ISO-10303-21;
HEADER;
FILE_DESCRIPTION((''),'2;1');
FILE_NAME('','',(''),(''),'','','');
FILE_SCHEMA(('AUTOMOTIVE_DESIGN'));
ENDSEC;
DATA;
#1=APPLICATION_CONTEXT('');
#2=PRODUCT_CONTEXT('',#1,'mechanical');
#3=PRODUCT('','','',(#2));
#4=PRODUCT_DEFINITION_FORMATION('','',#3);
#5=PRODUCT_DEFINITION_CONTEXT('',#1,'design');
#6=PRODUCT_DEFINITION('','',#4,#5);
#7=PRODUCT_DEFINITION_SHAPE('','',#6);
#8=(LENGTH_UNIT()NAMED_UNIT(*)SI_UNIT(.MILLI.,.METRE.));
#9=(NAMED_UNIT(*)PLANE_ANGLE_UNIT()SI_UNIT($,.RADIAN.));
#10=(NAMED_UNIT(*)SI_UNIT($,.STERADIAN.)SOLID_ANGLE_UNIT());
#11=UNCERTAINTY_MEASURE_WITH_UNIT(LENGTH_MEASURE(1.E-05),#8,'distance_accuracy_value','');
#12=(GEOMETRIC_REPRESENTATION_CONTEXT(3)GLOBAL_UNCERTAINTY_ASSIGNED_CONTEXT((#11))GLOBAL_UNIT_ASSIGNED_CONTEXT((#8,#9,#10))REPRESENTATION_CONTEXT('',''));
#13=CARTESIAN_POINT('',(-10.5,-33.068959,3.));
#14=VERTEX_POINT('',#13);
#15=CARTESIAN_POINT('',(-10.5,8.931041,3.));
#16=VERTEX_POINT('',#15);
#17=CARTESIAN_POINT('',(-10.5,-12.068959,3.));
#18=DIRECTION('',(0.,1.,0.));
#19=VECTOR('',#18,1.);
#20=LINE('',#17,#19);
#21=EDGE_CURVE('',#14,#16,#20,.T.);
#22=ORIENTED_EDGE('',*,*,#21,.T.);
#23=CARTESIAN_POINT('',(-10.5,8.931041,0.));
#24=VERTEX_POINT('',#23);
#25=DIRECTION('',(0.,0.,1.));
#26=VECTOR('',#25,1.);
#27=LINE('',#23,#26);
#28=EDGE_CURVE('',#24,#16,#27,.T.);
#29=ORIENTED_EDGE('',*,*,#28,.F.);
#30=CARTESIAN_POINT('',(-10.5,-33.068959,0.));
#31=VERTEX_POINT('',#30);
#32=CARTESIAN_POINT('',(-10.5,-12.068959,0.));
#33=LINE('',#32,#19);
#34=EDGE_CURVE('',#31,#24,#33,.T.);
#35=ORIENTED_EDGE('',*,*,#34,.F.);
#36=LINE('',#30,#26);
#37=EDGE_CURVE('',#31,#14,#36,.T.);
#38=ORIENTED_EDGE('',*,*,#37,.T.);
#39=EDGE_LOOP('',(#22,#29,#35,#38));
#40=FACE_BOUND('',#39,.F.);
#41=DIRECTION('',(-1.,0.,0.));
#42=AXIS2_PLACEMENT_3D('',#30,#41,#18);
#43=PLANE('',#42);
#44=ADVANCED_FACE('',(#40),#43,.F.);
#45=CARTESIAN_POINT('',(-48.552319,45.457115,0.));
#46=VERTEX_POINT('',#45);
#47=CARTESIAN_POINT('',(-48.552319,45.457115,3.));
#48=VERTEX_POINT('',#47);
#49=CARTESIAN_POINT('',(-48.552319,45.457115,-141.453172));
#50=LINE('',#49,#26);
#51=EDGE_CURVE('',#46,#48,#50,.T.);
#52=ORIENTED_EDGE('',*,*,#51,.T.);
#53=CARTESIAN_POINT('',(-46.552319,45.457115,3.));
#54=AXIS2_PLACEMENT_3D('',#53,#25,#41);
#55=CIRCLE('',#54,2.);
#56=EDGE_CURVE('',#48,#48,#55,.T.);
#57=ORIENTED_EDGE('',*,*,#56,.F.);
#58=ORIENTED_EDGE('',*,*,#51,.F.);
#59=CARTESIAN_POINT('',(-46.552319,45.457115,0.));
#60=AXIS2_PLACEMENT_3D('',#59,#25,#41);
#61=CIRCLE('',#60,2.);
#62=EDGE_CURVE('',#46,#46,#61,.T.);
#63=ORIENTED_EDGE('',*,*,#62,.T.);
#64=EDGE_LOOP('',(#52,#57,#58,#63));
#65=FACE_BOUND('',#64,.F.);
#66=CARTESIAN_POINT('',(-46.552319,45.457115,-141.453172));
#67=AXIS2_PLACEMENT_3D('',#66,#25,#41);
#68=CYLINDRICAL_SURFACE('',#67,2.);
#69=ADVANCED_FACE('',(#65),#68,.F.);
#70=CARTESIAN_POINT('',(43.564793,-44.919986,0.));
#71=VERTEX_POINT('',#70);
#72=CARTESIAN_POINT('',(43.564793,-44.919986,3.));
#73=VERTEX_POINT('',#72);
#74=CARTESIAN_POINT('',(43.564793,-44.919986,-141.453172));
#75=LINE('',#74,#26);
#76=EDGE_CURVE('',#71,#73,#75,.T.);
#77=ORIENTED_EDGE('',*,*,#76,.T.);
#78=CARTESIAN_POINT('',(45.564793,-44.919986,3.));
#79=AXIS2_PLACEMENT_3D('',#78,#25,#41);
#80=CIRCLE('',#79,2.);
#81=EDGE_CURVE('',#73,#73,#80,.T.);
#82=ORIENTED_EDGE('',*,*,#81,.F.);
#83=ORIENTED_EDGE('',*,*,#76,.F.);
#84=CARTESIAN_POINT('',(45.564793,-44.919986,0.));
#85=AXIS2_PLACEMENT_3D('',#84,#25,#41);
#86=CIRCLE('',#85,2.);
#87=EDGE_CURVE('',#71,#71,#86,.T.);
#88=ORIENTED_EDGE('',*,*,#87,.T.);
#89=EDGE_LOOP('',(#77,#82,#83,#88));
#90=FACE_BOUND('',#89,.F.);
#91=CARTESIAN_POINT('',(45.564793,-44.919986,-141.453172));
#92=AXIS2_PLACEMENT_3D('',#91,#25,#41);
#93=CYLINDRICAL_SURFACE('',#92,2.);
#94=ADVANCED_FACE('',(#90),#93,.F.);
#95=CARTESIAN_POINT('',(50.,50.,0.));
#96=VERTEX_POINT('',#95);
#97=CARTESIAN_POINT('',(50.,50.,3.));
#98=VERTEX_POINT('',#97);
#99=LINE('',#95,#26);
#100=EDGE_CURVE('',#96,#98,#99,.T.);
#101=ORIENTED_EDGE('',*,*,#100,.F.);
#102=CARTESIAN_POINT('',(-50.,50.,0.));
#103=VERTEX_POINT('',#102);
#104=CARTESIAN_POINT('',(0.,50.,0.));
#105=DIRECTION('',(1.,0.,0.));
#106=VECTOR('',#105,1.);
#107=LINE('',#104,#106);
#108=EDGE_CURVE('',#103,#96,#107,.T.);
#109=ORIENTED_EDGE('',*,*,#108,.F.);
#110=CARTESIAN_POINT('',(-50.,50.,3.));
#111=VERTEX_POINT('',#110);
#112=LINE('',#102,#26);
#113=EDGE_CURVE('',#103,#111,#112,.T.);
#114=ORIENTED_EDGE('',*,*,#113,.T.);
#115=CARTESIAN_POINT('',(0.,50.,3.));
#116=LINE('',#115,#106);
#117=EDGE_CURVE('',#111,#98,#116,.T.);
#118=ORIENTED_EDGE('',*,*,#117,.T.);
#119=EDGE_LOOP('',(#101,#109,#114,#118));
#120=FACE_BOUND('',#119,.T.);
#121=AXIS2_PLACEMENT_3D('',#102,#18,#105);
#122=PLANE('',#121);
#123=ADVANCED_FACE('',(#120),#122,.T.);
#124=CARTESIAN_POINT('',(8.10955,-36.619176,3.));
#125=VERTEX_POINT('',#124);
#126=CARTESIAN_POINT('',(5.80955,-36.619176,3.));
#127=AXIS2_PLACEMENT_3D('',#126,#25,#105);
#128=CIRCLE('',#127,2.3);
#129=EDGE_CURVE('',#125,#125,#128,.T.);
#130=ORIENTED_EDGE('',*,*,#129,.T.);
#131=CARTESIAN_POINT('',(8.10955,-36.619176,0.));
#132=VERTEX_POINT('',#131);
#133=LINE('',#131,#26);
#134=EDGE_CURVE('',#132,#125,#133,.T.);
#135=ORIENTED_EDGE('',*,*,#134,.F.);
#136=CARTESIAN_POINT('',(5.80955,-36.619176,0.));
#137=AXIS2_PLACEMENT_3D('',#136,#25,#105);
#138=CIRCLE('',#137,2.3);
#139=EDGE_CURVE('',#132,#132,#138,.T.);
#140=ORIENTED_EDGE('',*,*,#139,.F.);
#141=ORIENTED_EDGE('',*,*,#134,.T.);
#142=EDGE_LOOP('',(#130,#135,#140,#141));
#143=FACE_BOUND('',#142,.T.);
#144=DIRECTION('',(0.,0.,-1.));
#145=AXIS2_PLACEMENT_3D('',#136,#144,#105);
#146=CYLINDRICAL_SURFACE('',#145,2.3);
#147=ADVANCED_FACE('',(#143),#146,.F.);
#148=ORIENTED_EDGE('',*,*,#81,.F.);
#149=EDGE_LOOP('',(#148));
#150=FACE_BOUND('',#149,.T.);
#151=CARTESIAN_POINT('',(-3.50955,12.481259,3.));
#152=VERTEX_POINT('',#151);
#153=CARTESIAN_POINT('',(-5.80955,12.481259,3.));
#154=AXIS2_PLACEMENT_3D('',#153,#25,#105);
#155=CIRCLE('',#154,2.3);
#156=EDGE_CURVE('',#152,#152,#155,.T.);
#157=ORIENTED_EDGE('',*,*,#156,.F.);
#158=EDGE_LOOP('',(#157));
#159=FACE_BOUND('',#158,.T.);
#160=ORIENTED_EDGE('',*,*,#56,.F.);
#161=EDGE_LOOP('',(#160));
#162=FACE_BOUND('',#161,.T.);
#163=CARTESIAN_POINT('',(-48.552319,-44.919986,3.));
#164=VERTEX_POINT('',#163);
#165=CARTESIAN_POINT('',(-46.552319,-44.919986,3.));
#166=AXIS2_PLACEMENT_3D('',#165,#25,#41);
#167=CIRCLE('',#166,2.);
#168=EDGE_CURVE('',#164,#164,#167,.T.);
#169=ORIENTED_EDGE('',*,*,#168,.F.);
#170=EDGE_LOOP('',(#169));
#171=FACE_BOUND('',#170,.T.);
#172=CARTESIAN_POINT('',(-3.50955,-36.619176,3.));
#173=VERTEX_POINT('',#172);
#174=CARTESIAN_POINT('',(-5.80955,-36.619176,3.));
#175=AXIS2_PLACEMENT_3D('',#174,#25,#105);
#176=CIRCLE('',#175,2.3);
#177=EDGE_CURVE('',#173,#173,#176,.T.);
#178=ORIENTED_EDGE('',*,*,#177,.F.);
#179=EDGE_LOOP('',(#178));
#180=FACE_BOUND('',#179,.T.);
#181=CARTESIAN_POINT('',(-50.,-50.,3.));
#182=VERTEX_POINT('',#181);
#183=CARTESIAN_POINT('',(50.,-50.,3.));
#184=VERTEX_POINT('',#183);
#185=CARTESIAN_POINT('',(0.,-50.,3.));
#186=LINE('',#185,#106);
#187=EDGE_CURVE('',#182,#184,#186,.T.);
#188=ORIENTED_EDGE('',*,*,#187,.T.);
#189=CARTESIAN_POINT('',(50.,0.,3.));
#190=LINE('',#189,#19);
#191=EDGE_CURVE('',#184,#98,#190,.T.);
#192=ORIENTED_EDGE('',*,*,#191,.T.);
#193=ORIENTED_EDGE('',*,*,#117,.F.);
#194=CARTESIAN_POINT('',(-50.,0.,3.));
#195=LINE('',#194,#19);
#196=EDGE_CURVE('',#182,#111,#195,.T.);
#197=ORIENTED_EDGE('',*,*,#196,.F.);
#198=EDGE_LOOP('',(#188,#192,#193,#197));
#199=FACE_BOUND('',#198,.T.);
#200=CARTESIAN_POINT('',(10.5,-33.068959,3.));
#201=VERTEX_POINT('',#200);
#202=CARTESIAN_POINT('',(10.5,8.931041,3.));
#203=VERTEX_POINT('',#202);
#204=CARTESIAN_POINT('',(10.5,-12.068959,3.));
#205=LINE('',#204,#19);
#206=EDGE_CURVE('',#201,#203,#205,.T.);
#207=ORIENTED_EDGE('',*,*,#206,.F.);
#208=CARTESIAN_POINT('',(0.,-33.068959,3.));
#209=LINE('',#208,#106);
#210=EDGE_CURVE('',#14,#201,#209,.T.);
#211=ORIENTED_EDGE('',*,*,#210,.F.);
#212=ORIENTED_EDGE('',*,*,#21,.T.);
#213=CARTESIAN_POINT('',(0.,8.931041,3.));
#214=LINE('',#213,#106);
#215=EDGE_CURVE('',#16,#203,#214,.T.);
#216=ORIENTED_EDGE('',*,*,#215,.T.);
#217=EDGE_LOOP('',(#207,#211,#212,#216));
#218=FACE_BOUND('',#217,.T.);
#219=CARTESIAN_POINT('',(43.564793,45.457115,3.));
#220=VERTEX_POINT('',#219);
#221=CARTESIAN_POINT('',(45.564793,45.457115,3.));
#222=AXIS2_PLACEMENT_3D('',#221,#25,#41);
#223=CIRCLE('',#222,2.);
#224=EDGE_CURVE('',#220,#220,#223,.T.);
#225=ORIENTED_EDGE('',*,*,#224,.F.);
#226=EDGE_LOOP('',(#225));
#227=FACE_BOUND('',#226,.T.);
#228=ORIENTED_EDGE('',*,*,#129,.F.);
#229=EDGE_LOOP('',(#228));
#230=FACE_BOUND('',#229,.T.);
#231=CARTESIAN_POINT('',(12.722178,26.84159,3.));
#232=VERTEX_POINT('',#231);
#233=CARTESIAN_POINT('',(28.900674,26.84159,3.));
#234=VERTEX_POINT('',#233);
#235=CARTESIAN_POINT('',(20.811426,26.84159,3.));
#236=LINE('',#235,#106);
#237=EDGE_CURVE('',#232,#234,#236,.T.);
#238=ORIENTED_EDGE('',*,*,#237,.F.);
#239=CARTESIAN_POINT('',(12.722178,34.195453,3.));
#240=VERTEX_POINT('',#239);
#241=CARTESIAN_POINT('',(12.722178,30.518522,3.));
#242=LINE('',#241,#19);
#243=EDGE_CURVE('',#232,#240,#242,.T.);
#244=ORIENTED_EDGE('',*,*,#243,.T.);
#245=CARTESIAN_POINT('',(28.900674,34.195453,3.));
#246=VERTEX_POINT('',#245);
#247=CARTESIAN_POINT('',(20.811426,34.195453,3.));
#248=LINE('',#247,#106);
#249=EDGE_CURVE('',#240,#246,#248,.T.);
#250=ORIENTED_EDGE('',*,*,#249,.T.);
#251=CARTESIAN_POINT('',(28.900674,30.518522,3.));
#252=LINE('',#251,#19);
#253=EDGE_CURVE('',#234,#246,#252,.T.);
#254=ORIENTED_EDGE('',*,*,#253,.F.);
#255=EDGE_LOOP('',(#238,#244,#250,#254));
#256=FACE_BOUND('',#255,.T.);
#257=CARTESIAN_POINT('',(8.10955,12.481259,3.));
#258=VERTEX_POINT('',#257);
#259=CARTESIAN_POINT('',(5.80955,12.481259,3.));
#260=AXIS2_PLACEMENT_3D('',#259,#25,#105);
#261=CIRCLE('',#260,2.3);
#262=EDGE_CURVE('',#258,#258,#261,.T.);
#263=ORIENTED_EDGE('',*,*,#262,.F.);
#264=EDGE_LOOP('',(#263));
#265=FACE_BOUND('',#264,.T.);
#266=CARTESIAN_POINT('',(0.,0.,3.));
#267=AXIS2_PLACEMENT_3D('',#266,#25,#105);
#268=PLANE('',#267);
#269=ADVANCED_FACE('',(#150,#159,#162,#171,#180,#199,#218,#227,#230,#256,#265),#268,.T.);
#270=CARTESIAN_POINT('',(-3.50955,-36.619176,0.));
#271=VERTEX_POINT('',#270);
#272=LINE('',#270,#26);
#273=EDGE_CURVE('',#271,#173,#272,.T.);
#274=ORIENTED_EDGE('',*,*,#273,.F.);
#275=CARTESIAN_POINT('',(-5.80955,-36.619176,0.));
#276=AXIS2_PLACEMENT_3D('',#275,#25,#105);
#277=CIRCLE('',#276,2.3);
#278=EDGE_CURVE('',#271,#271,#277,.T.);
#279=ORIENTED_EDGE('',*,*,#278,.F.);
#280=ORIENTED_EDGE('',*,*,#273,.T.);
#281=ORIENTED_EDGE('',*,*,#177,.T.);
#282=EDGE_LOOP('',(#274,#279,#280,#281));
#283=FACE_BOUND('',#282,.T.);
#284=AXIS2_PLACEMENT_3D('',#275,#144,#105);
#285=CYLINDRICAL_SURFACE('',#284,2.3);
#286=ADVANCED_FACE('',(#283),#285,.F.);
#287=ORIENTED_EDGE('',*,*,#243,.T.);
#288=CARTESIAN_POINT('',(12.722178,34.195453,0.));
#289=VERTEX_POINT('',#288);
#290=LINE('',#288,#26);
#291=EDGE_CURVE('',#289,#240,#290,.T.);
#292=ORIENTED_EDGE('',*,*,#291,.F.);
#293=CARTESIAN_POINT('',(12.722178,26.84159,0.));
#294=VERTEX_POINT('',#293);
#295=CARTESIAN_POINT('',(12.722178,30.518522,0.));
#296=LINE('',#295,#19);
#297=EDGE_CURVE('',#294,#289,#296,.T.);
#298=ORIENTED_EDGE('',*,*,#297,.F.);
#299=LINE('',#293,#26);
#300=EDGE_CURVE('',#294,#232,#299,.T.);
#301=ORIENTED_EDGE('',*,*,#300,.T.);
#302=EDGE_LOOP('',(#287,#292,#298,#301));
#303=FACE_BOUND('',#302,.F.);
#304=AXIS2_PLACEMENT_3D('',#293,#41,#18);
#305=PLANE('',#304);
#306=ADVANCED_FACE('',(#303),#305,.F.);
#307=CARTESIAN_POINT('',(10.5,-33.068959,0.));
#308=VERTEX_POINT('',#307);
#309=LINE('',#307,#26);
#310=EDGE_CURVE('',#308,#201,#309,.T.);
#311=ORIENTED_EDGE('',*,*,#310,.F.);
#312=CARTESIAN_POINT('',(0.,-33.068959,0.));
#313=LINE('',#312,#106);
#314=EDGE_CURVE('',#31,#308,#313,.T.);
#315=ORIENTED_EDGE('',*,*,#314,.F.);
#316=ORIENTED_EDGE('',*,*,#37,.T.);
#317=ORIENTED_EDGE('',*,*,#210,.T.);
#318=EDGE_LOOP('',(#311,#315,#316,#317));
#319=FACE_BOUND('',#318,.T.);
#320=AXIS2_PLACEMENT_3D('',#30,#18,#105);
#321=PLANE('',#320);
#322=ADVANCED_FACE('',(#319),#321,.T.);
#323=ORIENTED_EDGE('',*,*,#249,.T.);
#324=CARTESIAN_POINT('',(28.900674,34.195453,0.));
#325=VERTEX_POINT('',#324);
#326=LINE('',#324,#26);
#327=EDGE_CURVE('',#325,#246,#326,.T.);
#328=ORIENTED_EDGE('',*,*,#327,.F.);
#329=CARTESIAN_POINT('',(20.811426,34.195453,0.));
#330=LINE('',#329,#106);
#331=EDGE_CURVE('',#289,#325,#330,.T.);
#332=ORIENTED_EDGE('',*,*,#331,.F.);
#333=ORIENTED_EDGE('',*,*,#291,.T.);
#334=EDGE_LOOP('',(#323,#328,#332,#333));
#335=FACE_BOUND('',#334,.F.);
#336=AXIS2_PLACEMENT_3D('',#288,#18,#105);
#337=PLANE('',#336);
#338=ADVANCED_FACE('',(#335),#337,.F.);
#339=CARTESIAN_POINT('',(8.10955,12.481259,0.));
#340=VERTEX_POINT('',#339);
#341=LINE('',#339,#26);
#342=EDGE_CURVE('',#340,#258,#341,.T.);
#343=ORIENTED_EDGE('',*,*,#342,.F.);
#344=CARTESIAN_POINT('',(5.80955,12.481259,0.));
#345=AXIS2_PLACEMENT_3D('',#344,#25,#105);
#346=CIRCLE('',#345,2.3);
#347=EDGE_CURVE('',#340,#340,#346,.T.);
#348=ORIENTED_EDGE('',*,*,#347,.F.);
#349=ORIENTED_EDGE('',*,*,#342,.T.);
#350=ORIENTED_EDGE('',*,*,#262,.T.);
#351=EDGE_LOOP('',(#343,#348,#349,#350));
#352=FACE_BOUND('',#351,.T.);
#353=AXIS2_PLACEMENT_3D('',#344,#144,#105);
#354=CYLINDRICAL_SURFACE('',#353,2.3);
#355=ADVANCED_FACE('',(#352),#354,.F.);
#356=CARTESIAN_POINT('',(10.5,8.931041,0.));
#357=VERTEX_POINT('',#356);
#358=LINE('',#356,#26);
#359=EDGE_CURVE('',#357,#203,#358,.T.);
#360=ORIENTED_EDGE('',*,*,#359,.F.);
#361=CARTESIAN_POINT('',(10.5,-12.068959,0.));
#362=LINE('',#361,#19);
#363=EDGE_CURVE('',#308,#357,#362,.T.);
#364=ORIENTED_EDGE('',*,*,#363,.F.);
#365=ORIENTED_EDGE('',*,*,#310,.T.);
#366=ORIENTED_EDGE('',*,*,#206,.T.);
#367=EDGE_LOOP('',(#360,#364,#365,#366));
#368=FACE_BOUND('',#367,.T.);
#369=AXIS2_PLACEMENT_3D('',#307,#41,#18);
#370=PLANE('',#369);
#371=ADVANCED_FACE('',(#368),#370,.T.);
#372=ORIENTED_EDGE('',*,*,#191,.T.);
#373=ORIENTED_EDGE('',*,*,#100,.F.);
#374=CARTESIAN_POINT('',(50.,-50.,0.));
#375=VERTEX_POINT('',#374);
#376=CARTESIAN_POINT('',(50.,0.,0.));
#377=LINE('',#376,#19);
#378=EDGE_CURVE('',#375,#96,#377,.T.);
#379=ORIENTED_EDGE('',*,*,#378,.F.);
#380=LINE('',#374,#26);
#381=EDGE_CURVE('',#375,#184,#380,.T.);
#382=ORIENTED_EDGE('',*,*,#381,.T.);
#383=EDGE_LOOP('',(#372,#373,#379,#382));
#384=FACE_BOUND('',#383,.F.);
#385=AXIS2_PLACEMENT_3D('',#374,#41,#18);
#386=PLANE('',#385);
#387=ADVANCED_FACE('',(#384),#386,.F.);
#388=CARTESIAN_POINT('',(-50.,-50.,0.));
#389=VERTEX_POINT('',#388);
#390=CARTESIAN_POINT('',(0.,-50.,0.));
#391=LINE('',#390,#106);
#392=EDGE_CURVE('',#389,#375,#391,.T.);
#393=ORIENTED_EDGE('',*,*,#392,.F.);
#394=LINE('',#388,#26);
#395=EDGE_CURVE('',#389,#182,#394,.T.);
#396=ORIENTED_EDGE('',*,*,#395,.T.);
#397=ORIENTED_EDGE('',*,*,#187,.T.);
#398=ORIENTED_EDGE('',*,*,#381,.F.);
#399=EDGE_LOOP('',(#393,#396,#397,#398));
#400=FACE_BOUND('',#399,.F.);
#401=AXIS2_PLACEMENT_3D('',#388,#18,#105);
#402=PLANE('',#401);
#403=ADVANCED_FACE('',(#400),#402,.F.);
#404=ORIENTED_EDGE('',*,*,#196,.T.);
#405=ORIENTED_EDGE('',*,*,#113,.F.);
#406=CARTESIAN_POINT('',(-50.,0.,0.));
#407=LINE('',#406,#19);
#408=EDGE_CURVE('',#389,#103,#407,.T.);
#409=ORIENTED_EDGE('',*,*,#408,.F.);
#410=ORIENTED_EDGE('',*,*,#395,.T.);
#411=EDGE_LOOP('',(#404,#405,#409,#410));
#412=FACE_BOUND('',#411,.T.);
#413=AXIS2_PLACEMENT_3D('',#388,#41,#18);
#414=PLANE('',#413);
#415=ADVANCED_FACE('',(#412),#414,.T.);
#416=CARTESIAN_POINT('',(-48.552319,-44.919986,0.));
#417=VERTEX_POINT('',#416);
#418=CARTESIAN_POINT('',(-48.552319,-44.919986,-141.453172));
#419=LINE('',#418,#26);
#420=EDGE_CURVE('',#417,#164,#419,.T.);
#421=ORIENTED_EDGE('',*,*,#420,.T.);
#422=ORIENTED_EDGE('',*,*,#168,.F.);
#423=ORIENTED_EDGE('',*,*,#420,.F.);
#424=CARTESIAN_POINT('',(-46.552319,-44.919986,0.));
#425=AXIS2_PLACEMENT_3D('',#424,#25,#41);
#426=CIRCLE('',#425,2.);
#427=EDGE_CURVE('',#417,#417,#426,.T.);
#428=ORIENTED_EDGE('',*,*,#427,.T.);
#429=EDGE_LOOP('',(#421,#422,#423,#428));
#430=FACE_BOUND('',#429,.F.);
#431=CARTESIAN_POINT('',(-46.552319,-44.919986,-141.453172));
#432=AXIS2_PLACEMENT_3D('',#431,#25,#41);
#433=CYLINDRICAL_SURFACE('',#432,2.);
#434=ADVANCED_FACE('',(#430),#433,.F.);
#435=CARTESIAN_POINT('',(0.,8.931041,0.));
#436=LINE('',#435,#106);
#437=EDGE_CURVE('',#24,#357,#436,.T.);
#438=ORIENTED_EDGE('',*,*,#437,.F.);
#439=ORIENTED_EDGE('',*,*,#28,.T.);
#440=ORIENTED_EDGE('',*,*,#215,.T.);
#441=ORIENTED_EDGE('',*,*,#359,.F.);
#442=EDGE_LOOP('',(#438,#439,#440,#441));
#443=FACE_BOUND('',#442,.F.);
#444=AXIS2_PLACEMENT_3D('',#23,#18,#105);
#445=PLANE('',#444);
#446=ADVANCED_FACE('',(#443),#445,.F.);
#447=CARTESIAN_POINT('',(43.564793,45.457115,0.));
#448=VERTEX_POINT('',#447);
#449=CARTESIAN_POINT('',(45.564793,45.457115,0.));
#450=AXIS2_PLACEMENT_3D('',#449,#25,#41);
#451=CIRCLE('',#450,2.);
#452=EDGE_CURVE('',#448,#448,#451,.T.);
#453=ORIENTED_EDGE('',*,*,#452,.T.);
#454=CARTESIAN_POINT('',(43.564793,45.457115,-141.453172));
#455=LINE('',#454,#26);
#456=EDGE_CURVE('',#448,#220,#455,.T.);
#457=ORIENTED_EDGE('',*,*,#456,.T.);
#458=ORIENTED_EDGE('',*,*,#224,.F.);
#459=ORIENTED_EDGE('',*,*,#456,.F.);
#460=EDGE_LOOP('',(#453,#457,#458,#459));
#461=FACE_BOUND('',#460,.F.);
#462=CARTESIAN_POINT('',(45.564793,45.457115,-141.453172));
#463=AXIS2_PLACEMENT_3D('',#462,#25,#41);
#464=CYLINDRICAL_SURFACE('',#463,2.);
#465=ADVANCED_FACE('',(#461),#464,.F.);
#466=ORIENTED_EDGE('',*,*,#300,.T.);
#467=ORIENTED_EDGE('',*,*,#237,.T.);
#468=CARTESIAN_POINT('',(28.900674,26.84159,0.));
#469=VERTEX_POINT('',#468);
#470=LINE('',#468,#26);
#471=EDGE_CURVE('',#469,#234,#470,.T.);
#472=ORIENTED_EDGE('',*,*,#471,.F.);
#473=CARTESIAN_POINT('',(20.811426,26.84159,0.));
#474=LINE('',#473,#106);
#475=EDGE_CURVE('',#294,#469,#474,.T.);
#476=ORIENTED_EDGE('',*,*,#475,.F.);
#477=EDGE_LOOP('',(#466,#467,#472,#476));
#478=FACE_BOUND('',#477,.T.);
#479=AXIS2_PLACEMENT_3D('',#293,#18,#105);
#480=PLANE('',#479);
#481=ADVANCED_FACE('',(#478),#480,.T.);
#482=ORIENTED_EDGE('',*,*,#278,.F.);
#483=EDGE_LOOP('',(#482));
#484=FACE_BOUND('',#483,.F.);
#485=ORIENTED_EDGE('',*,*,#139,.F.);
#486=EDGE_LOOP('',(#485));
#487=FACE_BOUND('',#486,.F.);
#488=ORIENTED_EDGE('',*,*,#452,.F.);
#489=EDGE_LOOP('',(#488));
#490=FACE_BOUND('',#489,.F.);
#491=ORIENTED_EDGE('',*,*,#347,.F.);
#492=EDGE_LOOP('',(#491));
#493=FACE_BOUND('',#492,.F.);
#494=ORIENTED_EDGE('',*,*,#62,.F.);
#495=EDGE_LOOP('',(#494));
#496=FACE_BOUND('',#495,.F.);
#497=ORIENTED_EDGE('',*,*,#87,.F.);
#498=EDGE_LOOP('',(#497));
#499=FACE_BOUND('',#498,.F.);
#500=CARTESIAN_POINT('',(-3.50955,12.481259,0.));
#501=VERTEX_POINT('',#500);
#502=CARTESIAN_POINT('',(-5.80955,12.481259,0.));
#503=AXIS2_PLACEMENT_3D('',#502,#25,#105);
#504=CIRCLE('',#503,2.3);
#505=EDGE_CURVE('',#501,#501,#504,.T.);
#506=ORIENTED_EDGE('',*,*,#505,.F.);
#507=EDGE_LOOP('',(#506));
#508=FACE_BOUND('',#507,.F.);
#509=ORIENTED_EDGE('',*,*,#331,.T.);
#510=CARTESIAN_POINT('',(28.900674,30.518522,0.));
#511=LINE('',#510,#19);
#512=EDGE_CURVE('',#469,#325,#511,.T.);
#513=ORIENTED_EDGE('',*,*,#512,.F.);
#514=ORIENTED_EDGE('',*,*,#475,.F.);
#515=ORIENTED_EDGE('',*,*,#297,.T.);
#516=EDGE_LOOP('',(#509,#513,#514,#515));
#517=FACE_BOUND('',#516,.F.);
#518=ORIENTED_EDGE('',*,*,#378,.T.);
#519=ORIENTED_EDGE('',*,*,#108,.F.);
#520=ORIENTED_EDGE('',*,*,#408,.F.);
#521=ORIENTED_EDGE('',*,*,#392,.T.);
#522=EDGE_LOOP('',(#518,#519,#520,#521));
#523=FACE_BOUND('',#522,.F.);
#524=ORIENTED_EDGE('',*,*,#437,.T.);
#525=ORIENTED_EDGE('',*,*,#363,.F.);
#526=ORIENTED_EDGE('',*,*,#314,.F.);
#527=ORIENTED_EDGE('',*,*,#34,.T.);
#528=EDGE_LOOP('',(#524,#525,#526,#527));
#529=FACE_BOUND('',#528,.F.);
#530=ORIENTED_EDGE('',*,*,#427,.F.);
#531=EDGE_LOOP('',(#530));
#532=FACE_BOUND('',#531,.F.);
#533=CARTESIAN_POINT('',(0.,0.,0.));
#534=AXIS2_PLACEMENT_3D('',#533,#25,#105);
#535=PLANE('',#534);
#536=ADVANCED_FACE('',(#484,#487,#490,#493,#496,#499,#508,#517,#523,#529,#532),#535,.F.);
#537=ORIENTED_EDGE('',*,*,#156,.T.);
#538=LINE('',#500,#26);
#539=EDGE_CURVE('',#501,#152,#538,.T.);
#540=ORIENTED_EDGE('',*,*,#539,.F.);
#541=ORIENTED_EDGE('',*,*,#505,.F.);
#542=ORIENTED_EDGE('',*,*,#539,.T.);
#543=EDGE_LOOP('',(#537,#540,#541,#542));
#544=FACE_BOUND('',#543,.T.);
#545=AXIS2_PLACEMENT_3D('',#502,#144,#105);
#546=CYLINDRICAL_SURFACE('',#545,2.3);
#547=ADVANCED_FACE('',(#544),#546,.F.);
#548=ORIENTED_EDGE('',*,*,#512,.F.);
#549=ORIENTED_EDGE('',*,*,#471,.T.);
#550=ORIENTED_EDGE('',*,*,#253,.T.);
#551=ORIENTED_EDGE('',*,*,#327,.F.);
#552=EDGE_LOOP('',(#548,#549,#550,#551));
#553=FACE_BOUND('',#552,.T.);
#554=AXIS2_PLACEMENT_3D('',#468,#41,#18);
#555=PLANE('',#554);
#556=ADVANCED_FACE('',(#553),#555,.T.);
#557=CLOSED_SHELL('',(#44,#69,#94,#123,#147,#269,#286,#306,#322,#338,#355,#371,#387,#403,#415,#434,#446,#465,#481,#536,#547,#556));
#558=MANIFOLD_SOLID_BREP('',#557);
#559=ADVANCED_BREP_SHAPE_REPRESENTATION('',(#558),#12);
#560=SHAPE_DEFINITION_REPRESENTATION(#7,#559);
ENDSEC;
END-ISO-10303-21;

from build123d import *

# Parameters (mm, degrees)
F0_W     = 100
F0_H     = 100
F0_R     = 2.3
F0_W_2   = 21
F0_H_2   = 42
F0_W_3   = 16.1784952506
F0_H_3   = 7.3538627476
F1_DEPTH = 3
F2_D     = 4


with BuildPart() as f1:
    # F0 (on Top) → F1 (new body)
    with BuildSketch(Plane.XY):
        Rectangle(F0_W, F0_H)
        with Locations((-5.8095501736, -36.6191763401)):
            Circle(F0_R, mode=Mode.SUBTRACT)
        with Locations((5.8095501736, -36.6191763401)):
            Circle(F0_R, mode=Mode.SUBTRACT)
        with Locations((0, -12.0689586699)):
            Rectangle(F0_W_2, F0_H_2, mode=Mode.SUBTRACT)
        with Locations((-5.8095501736, 12.4812590003)):
            Circle(F0_R, mode=Mode.SUBTRACT)
        with Locations((5.8095501736, 12.4812590003)):
            Circle(F0_R, mode=Mode.SUBTRACT)
        with Locations((20.8114259876, 30.5185215548)):
            Rectangle(F0_W_3, F0_H_3, mode=Mode.SUBTRACT)
    extrude(amount=F1_DEPTH)

    # F2 (through all)
    with Locations(Plane(origin=(0, 0, 0), x_dir=(1, 0, 0), z_dir=(0, 0, -1))):
        with Locations((-46.5523190796, -45.4571153969), (45.5647929572, -45.4571153969), (45.5647929572, 44.9199862778), (-46.5523190796, 44.9199862778)):
            Hole(F2_D / 2)


solid = f1.part
